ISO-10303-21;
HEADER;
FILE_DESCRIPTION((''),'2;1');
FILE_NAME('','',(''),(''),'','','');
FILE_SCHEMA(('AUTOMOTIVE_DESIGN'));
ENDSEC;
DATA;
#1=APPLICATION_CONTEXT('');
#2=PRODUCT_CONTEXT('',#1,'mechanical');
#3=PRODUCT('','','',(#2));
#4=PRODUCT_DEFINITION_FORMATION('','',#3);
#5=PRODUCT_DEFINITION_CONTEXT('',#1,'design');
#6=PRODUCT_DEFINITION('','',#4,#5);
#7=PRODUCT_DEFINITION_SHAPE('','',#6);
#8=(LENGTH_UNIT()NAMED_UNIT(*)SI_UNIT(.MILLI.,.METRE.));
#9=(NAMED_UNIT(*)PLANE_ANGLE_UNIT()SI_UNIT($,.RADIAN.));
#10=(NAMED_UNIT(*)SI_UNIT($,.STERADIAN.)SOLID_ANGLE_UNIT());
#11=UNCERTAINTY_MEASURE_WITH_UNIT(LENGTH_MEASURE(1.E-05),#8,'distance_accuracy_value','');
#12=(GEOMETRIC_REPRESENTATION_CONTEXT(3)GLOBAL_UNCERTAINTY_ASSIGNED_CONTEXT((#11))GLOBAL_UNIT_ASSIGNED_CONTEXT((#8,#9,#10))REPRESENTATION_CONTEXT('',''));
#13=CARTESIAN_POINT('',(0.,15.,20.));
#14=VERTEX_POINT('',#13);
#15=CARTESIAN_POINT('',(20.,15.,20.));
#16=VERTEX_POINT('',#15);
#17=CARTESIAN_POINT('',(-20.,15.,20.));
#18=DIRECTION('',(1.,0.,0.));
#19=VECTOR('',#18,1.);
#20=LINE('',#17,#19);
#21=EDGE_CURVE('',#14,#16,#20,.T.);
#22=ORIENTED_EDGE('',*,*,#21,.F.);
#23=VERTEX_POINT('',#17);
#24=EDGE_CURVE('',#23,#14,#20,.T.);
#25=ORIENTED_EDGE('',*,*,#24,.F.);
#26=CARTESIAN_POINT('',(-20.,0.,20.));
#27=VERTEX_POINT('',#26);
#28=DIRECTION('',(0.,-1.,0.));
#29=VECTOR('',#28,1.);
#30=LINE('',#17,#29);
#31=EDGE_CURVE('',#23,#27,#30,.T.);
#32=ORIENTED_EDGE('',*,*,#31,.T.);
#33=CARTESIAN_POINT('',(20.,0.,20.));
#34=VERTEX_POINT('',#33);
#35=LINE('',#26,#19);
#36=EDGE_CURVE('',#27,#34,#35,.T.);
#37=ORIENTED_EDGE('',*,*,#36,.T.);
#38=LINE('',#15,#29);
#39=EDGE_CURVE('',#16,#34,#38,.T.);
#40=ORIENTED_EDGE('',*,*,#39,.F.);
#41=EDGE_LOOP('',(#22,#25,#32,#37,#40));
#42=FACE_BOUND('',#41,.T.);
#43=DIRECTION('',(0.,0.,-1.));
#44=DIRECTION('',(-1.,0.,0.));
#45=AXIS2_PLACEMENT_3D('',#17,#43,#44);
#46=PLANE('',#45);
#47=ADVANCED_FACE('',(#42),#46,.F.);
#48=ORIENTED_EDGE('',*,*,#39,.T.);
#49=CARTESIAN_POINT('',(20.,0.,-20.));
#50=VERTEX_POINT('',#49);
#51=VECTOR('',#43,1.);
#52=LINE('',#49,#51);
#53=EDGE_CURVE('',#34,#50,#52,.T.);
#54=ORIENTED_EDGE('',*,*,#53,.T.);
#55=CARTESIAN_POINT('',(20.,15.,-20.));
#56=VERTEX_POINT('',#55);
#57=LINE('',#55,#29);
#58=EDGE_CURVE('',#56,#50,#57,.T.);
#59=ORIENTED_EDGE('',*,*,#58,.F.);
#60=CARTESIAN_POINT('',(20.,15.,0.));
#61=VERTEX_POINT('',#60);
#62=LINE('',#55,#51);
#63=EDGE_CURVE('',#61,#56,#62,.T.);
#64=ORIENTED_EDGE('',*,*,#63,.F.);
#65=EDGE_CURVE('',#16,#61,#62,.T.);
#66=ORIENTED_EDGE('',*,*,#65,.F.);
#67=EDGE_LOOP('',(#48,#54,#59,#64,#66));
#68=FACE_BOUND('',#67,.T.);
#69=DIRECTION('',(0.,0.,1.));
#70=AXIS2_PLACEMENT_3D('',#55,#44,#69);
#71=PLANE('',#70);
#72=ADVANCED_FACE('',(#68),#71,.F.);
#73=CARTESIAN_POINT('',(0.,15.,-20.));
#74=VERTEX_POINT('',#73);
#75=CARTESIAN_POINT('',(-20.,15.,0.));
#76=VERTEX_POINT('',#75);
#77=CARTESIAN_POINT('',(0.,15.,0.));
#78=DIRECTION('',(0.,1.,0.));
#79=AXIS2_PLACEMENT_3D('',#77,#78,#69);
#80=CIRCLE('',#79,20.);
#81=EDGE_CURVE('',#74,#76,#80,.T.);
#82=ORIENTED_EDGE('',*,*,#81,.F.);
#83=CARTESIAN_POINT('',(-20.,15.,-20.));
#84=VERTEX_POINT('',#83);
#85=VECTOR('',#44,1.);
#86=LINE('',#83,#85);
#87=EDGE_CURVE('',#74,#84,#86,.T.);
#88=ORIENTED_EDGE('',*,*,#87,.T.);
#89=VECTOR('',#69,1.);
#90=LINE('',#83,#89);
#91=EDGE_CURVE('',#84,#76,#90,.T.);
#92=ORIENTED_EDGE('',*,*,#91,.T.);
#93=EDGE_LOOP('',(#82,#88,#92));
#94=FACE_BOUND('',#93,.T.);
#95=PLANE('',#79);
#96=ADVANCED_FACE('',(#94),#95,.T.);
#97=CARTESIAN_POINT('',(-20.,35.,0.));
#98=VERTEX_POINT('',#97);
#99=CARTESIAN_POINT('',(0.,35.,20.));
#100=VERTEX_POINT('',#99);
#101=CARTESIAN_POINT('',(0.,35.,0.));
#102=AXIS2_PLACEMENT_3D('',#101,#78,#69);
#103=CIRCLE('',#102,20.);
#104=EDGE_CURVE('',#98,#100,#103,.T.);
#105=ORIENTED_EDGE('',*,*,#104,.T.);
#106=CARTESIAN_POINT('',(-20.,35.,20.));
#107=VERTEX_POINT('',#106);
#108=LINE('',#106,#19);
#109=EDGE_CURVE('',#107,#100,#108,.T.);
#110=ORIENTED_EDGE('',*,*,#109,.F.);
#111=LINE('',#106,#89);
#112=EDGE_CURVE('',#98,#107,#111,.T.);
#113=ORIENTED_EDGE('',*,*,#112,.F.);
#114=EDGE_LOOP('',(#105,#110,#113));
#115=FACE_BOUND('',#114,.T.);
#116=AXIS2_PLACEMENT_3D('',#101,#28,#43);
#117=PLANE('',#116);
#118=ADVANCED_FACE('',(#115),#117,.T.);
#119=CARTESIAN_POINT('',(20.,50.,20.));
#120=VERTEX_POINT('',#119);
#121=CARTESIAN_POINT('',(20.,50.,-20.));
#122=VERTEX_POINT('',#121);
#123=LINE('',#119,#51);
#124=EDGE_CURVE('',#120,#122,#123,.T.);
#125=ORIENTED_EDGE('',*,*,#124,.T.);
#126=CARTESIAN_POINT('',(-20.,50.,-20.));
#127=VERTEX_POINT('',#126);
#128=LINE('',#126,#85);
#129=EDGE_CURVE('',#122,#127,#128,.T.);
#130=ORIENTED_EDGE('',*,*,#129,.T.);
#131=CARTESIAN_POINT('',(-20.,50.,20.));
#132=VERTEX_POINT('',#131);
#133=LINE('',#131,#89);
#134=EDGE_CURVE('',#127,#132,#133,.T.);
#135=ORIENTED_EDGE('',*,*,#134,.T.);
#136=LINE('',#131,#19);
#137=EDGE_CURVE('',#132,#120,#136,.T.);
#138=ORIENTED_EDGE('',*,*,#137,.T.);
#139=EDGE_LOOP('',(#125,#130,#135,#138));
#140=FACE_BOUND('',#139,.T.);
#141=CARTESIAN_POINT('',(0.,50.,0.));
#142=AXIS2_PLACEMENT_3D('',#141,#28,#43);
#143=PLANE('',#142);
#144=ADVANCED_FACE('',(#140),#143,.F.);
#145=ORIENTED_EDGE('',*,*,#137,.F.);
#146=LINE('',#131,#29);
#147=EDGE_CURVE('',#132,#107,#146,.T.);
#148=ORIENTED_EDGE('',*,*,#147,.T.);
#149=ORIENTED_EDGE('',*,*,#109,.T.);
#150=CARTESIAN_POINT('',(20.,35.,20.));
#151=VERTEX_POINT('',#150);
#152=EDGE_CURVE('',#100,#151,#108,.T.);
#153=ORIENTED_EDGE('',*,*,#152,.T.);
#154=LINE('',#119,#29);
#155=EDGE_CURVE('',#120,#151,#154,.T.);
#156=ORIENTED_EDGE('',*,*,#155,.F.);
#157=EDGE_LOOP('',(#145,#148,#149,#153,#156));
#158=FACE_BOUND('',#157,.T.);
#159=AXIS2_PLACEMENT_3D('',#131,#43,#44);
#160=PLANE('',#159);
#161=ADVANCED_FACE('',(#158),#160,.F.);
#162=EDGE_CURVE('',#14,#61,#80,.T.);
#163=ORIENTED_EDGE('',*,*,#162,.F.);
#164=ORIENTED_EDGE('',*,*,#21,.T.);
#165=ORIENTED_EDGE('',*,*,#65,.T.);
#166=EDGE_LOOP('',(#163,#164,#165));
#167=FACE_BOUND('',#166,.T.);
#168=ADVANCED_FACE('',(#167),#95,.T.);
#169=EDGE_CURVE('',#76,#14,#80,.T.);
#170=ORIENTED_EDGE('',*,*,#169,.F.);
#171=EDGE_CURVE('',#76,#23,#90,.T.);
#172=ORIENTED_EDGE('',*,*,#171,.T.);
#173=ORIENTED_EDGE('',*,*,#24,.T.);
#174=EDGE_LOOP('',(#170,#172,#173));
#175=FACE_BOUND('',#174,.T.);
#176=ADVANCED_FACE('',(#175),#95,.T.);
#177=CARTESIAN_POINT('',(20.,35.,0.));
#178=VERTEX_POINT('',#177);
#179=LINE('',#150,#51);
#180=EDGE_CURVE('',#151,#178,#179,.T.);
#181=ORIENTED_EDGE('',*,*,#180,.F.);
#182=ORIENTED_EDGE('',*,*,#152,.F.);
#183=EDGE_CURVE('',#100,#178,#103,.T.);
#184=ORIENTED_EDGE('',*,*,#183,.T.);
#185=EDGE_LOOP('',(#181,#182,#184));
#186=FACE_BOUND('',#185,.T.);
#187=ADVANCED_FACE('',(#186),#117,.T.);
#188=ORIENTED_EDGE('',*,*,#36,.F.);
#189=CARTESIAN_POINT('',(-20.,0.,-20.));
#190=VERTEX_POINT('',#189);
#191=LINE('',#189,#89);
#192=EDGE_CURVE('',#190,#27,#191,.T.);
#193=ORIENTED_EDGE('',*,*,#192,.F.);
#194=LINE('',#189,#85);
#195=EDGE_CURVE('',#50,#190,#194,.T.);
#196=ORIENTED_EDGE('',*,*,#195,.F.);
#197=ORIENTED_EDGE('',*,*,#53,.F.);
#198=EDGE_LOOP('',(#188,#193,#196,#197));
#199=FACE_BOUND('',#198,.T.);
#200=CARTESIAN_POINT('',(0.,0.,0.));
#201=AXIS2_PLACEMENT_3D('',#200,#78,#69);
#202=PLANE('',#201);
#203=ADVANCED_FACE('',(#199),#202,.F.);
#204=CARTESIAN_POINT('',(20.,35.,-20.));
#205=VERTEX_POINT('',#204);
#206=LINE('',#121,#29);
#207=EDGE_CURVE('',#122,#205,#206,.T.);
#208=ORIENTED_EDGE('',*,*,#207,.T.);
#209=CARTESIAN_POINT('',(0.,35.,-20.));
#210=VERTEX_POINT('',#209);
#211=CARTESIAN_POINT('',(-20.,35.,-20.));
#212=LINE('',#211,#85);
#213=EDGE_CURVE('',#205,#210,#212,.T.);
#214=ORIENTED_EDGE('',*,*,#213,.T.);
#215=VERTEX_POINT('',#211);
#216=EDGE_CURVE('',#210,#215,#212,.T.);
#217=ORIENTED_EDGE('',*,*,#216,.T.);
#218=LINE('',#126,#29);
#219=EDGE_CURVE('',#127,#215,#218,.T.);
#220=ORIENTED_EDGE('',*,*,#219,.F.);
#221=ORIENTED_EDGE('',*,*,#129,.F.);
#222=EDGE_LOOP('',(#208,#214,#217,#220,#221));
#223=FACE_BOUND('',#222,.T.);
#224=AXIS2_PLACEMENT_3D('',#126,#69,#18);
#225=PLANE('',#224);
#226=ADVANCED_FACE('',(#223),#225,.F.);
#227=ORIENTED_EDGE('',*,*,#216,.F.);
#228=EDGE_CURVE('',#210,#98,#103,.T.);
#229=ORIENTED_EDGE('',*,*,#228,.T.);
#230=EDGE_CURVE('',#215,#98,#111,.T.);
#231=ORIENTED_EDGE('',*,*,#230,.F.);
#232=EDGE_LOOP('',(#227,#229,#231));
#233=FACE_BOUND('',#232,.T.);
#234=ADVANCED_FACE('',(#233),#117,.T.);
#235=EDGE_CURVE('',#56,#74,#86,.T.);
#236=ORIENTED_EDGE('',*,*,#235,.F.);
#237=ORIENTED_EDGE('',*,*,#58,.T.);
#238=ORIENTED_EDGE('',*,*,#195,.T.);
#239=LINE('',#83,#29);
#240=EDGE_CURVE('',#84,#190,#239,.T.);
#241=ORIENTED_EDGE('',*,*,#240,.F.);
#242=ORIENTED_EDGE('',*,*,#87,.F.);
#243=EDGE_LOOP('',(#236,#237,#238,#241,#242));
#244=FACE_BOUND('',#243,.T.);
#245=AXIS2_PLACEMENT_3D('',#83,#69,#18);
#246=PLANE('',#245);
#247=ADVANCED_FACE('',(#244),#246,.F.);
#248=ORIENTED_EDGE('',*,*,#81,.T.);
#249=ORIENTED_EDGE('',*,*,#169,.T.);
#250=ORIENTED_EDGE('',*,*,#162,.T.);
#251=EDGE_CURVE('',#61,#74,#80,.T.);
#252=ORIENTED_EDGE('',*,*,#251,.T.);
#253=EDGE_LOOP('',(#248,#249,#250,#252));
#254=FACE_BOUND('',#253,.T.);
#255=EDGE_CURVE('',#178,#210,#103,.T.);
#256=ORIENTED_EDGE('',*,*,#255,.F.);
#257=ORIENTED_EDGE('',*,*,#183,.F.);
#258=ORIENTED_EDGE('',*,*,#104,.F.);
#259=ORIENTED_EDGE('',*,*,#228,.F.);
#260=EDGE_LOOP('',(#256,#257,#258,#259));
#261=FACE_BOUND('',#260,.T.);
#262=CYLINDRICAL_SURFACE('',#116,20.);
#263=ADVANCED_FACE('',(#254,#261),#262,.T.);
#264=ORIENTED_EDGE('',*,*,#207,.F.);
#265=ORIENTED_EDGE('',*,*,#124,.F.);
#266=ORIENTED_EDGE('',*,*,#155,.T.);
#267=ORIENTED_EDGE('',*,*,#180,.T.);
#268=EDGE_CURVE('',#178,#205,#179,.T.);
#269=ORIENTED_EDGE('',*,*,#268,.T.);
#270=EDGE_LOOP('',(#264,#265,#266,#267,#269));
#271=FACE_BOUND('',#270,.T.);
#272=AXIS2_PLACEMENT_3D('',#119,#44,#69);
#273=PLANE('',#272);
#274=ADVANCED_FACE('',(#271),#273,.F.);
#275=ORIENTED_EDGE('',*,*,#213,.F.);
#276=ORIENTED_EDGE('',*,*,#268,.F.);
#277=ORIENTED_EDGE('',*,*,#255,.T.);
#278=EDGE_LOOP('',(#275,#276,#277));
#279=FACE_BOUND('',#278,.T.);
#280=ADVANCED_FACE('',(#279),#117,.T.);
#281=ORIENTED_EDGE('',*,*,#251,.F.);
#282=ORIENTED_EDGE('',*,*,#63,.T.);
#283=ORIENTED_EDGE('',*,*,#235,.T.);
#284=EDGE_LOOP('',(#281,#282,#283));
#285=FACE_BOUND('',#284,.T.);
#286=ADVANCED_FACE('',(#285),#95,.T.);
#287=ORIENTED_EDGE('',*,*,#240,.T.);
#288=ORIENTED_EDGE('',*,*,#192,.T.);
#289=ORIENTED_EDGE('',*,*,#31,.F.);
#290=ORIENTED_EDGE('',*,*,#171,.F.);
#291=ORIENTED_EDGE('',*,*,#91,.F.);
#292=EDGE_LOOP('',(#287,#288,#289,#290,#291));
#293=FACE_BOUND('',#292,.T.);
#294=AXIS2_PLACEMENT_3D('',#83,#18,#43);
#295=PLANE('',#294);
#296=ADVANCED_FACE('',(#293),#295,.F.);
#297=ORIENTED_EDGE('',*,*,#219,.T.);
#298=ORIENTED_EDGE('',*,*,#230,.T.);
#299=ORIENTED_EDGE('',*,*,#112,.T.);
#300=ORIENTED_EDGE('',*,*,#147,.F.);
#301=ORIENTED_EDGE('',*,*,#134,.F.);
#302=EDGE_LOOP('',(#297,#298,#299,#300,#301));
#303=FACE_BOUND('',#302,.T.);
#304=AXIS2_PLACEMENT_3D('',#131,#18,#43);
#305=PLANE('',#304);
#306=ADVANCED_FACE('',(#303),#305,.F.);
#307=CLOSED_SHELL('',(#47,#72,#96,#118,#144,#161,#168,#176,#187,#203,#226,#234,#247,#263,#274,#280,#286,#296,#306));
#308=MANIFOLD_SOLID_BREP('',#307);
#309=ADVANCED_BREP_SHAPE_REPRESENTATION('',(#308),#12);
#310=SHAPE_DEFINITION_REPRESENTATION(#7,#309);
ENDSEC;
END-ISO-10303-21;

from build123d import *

# Parameters (mm, degrees)
SKETCH1_W           = 40
SKETCH1_H           = 40
BOSS_EXTRUDE1_DEPTH = 15
SKETCH2_R           = 20
BOSS_EXTRUDE2_DEPTH = 20
SKETCH3_W           = 40
SKETCH3_H           = 40
BOSS_EXTRUDE3_DEPTH = 15


with BuildPart() as part:
    # Sketch1 → Boss-Extrude1 (new body)
    with BuildSketch(Plane(origin=(0, 0, 0), x_dir=(1, 0, 0), z_dir=(0, 1, 0))):
        Rectangle(SKETCH1_W, SKETCH1_H)
    extrude(amount=BOSS_EXTRUDE1_DEPTH)

    # Sketch2 → Boss-Extrude2 (add)
    with BuildSketch(Plane(origin=(0, 15, 0), x_dir=(1, 0, 0), z_dir=(0, 1, 0))):
        with Locations(Location((0, 0, 0), (0, 0, 270))):
            Circle(SKETCH2_R)
    extrude(amount=BOSS_EXTRUDE2_DEPTH)

    # Sketch3 → Boss-Extrude3 (add)
    with BuildSketch(Plane(origin=(0, 35, 0), x_dir=(1, 0, 0), z_dir=(0, 1, 0))):
        Rectangle(SKETCH3_W, SKETCH3_H)
    extrude(amount=BOSS_EXTRUDE3_DEPTH)


solid = part.part
